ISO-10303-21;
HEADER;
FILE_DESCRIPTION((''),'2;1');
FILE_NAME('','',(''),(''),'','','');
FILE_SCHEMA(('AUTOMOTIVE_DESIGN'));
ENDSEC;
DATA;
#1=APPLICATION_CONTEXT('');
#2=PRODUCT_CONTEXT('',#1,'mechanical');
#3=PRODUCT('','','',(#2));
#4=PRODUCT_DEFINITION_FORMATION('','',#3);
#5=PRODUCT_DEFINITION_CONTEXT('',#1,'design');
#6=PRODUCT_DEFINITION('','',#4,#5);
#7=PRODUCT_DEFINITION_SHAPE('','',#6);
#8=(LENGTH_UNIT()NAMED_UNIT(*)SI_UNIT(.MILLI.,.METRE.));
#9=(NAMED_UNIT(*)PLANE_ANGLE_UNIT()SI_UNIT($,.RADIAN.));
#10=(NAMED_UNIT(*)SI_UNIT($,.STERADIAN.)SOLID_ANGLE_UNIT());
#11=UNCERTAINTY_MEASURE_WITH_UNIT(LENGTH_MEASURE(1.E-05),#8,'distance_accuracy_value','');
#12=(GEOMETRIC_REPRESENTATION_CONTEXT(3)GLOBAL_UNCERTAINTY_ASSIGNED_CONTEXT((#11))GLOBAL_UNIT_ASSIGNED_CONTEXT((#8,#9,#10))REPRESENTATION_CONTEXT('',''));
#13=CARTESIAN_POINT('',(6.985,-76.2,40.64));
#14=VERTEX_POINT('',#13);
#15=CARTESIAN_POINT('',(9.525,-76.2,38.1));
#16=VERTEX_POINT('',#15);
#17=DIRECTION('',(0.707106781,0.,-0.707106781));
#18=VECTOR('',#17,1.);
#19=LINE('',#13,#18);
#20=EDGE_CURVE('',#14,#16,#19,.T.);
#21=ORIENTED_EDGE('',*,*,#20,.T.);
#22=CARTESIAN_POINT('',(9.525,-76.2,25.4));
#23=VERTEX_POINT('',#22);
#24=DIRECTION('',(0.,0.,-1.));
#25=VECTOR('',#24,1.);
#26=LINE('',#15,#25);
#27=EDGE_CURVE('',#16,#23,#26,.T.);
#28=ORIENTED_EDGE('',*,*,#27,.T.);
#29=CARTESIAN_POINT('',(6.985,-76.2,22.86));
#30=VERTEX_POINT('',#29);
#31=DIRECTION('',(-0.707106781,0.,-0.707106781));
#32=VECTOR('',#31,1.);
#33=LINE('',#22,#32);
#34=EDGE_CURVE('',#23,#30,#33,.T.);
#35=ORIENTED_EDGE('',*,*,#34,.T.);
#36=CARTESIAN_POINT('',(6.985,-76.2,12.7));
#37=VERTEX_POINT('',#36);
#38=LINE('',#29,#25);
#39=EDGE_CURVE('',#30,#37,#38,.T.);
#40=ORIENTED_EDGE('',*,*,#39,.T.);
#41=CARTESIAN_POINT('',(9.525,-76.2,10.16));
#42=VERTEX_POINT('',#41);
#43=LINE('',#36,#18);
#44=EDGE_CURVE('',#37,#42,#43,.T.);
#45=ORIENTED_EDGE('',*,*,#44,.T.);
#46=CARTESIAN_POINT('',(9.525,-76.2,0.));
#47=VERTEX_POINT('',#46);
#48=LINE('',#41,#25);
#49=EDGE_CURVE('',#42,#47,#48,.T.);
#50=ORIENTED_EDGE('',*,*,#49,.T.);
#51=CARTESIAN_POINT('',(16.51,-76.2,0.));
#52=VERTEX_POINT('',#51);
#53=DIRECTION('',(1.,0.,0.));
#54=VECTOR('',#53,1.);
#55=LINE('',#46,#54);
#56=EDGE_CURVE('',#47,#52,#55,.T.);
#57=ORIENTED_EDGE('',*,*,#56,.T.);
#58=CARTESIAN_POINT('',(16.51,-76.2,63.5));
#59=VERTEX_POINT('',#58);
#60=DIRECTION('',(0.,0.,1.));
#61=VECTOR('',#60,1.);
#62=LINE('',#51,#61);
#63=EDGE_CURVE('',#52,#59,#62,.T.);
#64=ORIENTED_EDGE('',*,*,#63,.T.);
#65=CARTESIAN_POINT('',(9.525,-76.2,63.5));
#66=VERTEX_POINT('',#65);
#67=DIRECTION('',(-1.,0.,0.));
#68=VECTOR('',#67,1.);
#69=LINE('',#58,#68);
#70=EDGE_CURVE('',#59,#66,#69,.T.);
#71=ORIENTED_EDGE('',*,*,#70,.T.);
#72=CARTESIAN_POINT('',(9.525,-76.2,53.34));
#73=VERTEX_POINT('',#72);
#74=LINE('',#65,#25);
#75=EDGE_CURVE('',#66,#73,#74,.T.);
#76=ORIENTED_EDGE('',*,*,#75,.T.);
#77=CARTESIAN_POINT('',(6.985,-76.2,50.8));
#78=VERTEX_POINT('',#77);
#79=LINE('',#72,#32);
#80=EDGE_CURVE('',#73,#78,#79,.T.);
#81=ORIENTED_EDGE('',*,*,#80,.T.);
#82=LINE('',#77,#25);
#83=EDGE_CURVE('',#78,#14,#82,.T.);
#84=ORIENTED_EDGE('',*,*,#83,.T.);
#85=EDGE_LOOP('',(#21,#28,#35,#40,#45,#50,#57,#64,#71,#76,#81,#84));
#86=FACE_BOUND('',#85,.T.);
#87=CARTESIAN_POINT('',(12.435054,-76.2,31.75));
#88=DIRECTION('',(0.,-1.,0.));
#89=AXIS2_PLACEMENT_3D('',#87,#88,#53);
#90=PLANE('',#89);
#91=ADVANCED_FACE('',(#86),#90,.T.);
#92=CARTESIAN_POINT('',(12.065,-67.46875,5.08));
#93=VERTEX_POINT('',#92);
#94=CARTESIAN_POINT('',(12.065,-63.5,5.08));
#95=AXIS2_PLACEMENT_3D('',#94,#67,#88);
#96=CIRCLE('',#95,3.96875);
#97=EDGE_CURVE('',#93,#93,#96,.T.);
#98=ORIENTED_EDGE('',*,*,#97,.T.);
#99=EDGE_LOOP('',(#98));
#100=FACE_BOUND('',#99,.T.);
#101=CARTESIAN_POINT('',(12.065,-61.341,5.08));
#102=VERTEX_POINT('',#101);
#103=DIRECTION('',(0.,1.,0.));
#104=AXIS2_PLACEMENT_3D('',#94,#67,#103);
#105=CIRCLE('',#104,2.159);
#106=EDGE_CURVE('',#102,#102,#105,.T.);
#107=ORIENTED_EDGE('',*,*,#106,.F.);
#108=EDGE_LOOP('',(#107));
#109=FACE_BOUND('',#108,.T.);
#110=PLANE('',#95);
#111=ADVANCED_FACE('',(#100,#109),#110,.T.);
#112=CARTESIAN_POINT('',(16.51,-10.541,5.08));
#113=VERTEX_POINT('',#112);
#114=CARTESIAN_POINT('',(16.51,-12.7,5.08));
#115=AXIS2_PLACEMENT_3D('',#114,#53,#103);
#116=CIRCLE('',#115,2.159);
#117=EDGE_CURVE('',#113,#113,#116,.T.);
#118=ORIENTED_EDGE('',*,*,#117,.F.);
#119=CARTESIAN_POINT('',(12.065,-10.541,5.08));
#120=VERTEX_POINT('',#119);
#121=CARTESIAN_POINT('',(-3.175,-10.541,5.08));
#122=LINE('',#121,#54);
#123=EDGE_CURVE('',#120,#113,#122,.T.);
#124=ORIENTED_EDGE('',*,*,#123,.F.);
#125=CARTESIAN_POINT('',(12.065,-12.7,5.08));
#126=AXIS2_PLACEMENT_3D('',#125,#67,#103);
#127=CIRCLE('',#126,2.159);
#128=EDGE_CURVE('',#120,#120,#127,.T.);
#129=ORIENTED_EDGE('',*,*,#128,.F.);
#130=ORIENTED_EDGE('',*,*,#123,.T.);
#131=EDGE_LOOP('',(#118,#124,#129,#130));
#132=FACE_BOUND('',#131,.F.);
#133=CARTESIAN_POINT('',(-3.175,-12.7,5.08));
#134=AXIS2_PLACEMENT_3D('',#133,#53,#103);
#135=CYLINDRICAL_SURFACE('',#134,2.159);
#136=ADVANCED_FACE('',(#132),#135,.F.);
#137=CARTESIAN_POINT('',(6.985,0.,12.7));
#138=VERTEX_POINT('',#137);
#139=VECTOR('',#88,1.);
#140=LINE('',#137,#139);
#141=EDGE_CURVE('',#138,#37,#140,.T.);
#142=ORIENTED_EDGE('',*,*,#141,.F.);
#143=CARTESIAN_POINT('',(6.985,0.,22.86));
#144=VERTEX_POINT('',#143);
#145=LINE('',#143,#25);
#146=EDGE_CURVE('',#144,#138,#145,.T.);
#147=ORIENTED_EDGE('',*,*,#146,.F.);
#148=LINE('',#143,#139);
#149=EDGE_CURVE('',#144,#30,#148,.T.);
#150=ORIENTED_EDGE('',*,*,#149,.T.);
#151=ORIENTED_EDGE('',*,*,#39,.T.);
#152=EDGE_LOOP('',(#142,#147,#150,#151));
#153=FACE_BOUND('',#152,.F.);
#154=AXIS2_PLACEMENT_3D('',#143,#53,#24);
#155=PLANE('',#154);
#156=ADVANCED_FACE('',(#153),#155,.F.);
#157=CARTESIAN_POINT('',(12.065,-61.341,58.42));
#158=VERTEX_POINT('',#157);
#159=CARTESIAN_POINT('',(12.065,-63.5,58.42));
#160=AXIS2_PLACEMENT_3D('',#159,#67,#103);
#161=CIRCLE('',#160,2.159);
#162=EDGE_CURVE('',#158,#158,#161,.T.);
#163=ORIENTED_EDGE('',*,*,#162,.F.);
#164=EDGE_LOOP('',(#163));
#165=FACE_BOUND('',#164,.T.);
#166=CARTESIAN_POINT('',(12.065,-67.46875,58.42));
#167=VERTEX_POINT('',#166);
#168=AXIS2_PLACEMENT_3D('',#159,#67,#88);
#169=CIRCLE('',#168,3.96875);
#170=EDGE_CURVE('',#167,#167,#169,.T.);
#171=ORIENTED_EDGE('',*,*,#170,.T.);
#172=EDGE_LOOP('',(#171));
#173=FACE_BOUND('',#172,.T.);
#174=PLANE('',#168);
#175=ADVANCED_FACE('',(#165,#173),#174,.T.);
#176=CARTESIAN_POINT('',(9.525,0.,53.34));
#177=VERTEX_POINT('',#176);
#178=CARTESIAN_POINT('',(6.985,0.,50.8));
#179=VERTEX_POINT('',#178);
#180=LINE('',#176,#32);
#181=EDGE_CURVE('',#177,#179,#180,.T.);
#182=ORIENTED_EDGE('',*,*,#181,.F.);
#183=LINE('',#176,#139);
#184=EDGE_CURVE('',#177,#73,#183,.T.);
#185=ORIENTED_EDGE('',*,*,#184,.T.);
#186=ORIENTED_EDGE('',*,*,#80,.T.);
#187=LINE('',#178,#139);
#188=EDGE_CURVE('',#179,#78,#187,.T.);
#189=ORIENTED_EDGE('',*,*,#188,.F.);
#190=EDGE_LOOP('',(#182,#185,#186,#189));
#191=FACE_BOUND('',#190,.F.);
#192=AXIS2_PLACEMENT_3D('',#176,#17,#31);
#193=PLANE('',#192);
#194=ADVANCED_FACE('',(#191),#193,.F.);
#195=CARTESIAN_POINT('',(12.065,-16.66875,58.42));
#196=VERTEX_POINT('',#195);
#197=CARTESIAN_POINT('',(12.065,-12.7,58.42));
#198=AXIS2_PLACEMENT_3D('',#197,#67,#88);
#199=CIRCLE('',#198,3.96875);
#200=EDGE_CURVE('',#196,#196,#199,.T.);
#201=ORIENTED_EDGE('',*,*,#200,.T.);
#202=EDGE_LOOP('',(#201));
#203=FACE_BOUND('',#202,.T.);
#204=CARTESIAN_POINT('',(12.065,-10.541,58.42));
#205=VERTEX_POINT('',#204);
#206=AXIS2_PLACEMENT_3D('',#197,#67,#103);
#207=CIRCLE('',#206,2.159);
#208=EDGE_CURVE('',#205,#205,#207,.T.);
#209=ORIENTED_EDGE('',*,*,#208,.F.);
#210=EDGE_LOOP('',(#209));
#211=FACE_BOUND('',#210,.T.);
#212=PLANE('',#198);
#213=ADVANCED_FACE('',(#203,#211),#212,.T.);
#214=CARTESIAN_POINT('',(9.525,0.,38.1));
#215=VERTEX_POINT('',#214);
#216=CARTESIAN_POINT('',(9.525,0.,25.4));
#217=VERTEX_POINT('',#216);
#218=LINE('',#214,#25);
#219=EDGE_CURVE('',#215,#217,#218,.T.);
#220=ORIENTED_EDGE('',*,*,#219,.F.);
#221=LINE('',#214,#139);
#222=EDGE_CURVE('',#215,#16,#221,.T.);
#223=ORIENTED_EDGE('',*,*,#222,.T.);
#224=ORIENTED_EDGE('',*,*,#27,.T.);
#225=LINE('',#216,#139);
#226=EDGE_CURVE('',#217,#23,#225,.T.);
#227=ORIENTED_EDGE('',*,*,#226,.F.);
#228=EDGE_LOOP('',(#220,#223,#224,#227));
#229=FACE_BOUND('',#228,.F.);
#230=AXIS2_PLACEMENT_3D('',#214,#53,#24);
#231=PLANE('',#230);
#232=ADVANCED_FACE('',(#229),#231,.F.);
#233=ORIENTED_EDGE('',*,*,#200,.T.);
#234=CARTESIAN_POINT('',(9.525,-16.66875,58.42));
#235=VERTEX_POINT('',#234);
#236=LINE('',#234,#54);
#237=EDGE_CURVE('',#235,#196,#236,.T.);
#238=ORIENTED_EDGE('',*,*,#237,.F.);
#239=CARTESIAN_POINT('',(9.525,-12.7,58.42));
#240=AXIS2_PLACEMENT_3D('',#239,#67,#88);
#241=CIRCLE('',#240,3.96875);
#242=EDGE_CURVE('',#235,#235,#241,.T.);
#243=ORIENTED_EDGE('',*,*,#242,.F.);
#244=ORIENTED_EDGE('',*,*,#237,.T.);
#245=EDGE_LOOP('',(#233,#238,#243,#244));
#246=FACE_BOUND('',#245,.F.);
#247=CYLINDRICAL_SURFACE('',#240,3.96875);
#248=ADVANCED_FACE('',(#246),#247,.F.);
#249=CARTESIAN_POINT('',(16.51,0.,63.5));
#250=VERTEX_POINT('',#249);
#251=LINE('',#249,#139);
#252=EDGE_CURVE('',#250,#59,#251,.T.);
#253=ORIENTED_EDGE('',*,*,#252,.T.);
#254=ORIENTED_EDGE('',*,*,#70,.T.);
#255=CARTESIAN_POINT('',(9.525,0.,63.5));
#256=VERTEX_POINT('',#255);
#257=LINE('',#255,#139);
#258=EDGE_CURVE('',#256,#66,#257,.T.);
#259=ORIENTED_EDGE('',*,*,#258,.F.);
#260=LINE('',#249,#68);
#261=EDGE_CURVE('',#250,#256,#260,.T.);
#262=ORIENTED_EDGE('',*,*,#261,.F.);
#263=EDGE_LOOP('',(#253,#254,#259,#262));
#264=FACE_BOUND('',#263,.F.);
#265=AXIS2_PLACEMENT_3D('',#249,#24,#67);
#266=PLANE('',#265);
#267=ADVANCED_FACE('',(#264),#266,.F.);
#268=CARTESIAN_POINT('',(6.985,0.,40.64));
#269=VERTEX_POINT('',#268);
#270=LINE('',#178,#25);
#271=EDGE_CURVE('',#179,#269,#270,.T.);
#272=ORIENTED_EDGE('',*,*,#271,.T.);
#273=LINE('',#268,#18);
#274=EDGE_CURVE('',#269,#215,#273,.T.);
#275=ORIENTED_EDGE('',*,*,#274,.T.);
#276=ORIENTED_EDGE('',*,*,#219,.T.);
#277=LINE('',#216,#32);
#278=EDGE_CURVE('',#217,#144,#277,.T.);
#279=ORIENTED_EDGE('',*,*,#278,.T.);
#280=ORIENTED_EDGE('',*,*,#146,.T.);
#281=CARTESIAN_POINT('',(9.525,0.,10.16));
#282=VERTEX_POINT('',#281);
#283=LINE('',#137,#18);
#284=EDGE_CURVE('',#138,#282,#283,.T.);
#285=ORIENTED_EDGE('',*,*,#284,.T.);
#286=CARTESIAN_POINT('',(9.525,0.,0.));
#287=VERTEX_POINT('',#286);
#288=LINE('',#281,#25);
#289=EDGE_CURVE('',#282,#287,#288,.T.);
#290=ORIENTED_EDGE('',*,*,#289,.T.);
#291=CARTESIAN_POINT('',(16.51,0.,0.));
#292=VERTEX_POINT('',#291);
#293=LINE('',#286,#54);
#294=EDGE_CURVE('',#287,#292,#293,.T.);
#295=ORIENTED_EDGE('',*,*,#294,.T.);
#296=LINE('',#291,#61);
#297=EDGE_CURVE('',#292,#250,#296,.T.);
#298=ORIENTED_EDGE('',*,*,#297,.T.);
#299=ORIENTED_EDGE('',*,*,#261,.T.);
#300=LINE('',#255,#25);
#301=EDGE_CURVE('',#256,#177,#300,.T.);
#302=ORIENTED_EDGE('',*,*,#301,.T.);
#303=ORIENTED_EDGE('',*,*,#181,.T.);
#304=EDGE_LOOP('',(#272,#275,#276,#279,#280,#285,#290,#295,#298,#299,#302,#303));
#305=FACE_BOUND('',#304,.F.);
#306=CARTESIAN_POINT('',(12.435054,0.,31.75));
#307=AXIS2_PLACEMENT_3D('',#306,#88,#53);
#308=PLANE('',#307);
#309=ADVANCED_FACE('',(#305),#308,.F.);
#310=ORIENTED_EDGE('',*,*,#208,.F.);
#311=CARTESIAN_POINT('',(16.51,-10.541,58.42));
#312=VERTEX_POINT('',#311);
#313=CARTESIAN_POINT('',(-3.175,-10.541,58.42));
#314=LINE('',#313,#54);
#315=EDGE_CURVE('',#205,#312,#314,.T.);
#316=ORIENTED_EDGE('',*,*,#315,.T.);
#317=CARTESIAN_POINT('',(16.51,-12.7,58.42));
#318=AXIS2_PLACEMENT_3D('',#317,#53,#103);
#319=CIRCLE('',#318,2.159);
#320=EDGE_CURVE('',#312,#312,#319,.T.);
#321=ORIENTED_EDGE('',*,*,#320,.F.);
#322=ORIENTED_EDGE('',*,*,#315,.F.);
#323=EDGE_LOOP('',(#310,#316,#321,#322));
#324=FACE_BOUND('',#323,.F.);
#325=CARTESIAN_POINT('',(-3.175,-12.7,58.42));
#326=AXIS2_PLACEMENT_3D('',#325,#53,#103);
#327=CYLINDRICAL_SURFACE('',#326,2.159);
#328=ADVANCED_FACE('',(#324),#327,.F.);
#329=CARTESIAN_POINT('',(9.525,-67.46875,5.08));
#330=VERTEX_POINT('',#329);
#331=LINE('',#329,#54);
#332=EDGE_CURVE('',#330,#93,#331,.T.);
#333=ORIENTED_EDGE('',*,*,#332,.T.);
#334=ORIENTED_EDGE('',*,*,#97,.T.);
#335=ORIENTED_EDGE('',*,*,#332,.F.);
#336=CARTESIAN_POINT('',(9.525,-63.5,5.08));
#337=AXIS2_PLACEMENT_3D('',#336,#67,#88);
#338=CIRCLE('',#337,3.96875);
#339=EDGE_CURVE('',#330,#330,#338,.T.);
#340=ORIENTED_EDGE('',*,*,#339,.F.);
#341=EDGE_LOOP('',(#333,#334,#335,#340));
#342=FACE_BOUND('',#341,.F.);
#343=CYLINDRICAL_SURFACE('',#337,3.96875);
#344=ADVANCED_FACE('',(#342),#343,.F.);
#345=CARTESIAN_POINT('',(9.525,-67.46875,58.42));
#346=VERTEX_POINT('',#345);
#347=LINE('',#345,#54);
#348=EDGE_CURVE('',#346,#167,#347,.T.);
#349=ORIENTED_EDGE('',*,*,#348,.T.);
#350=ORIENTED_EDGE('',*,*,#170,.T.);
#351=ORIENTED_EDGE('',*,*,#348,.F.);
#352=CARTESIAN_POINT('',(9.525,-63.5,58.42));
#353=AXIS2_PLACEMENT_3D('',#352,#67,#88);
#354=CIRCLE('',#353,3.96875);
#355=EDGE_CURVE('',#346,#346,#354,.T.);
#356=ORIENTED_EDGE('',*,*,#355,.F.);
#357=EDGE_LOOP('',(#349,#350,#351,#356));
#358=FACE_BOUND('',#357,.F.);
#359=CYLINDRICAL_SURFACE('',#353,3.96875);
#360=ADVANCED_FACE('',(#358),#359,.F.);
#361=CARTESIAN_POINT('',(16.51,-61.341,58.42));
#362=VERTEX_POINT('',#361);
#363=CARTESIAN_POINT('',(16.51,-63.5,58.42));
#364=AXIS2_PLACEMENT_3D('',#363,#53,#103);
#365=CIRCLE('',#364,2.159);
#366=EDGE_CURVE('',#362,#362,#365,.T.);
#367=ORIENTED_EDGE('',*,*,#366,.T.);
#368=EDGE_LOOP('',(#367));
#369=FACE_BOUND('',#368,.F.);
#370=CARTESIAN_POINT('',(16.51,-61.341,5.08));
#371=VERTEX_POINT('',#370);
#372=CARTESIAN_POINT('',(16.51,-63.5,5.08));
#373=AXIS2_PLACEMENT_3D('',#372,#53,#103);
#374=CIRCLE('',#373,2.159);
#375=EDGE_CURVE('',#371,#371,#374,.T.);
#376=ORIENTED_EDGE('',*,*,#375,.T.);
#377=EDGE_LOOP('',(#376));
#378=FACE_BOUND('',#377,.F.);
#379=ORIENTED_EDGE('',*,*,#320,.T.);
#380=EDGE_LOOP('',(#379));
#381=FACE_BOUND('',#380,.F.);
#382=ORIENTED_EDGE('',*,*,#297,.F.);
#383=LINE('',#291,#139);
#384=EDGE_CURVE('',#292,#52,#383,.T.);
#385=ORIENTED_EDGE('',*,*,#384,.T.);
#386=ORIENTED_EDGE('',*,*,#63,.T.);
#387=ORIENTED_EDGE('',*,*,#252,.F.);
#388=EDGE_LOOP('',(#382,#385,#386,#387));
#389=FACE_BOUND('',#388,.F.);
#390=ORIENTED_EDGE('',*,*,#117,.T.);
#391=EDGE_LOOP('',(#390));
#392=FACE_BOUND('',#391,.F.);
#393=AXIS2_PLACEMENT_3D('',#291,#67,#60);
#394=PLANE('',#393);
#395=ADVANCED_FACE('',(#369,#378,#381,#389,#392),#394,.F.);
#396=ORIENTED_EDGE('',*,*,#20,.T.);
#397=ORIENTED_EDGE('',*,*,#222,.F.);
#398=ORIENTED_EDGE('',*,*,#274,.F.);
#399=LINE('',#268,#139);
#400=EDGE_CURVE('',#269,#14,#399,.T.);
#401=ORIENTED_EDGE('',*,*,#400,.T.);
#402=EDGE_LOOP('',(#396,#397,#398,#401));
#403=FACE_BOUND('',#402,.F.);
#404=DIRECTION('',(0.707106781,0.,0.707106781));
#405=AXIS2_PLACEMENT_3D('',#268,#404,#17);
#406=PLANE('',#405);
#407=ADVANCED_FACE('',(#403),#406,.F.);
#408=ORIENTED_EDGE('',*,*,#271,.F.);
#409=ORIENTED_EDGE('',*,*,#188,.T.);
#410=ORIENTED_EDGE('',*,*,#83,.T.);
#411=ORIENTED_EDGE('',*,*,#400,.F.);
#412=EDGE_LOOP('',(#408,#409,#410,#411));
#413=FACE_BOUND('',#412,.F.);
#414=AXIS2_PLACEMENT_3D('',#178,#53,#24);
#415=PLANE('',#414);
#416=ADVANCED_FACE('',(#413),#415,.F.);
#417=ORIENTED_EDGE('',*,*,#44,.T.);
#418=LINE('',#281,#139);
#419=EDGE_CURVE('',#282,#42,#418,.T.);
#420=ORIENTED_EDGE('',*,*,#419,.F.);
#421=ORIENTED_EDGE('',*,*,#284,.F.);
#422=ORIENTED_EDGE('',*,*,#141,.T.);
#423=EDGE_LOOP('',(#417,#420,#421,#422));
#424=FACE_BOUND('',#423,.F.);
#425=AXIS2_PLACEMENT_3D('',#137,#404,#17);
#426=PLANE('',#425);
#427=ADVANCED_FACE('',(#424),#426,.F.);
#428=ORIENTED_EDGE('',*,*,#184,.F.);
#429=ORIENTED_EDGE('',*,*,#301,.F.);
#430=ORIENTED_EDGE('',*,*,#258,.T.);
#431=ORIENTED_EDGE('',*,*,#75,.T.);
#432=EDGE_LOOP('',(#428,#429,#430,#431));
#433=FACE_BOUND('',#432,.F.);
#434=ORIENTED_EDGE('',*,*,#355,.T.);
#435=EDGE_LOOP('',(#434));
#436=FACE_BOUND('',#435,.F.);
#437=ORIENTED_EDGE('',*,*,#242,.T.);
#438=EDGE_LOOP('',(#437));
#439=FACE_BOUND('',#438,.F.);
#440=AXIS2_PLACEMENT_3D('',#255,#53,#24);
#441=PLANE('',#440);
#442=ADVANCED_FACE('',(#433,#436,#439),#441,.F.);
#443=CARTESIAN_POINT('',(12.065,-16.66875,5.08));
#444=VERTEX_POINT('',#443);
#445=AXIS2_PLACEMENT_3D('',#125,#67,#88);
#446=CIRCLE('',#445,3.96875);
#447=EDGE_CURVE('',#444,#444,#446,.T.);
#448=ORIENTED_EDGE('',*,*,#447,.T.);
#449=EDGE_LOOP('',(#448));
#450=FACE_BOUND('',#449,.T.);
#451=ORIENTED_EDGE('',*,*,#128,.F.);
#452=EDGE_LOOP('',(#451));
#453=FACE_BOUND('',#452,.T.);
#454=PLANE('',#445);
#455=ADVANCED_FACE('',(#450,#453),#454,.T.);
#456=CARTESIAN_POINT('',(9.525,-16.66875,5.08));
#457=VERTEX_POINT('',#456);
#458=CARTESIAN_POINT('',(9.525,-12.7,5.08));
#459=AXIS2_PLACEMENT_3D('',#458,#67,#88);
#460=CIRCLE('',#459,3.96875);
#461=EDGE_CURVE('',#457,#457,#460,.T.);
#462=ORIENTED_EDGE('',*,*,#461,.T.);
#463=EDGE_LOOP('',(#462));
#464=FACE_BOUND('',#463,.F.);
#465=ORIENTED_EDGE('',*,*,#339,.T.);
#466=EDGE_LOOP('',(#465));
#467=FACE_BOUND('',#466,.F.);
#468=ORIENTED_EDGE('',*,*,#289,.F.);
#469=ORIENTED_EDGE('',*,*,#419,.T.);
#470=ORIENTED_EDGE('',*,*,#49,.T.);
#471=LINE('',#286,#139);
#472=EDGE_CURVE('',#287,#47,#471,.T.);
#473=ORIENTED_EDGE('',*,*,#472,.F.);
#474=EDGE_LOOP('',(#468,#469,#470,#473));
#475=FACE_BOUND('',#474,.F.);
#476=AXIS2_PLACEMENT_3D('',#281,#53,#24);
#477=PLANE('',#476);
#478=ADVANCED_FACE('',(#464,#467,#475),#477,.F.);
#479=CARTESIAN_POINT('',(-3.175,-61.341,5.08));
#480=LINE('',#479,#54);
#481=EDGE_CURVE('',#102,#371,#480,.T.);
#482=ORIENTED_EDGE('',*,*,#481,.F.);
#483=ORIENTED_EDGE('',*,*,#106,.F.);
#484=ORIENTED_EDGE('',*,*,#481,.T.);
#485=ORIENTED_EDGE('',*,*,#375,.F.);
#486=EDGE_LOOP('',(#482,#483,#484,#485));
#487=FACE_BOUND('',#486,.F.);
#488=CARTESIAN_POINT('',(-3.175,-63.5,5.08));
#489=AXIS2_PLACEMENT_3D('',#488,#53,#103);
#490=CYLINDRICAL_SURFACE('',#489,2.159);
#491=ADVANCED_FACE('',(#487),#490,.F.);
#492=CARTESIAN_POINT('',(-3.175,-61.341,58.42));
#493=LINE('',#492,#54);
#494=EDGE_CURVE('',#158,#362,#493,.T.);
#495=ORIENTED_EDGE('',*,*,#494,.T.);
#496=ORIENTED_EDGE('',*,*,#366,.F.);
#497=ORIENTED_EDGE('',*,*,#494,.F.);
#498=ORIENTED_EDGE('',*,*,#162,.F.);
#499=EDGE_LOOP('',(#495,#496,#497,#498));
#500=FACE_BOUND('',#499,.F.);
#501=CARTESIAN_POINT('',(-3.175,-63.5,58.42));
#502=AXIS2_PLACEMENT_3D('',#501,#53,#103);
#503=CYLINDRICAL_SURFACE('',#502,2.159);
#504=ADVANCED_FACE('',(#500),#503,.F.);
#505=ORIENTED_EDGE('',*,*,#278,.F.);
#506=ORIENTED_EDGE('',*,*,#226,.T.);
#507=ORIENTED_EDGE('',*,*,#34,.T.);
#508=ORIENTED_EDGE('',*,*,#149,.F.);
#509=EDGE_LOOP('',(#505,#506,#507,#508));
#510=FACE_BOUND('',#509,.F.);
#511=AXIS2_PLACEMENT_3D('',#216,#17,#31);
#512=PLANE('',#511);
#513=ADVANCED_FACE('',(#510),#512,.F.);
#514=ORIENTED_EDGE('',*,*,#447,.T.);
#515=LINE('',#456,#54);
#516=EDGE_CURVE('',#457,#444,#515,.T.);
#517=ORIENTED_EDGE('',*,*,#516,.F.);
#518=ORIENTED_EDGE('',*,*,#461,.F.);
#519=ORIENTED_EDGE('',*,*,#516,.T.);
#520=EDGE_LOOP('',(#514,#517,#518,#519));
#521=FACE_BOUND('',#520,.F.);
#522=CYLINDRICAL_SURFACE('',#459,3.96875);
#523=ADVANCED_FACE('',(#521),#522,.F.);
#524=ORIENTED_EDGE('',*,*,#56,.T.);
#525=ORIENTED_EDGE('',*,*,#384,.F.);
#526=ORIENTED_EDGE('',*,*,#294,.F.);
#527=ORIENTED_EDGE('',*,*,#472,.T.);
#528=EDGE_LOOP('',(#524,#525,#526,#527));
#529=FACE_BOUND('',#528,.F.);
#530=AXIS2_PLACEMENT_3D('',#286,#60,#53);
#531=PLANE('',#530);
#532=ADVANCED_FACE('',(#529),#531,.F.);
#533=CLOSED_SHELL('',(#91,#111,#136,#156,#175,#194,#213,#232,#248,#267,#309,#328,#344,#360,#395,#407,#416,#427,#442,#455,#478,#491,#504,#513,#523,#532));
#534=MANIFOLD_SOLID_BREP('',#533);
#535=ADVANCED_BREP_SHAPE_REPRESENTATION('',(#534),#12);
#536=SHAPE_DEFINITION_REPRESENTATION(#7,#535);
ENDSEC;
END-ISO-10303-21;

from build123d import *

# Parameters (mm, degrees)
F1_DEPTH  = 76.2
F3_D      = 4.318
F3_DEPTH  = 12.7
F3_TIP    = 1.2972580765
F5_R      = 3.96875
F5_R_2    = 2.159
F6_DEPTH  = 2.54
F8_D      = 4.318
F8_DEPTH  = 12.7
F8_TIP    = 1.2972580765
F9_R      = 3.96875
F9_R_2    = 2.159
F10_DEPTH = 2.54


with BuildPart() as f1:
    # F0 (on Front) → F1 (new body)
    with BuildSketch(Plane.XZ):
        Polygon((6.985, 50.8), (6.985, 40.64), (9.525, 38.1), (9.525, 25.4), (6.985, 22.86), (6.985, 12.7), (9.525, 10.16), (9.525, 0), (16.51, 0), (16.51, 63.5), (9.525, 63.5), (9.525, 53.34), align=None)
    extrude(amount=F1_DEPTH)

    # F3
    with Locations(Plane(origin=(9.525, 0, 0), x_dir=(0, -1, 0), z_dir=(-1, 0, 0))):
        with Locations((12.7, 5.08), (63.5, 5.08)):
            Hole(F3_D / 2, depth=F3_DEPTH)
            with Locations((0, 0, -(F3_DEPTH + F3_TIP / 2))):  # 118° drill point
                Cone(0, F3_D / 2, F3_TIP, mode=Mode.SUBTRACT)

    # F5 (on face) → F6 (cut)
    with BuildSketch(Plane(origin=(9.525, 0, 0), x_dir=(0, -1, 0), z_dir=(-1, 0, 0))):
        with Locations((63.5, 5.08)):
            Circle(F5_R)
        with Locations((63.5, 5.08)):
            Circle(F5_R_2, mode=Mode.SUBTRACT)
        with Locations((12.7, 5.08)):
            Circle(F5_R)
        with Locations((12.7, 5.08)):
            Circle(F5_R_2, mode=Mode.SUBTRACT)
    extrude(amount=-F6_DEPTH, mode=Mode.SUBTRACT)

    # F8
    with Locations(Plane(origin=(9.525, 0, 0), x_dir=(0, -1, 0), z_dir=(-1, 0, 0))):
        with Locations((12.7, 58.42), (63.5, 58.42)):
            Hole(F8_D / 2, depth=F8_DEPTH)
            with Locations((0, 0, -(F8_DEPTH + F8_TIP / 2))):  # 118° drill point
                Cone(0, F8_D / 2, F8_TIP, mode=Mode.SUBTRACT)

    # F9 (on face) → F10 (cut)
    with BuildSketch(Plane(origin=(9.525, 0, 0), x_dir=(0, -1, 0), z_dir=(-1, 0, 0))):
        with Locations((12.7, 58.42)):
            Circle(F9_R)
        with Locations((12.7, 58.42)):
            Circle(F9_R_2, mode=Mode.SUBTRACT)
        with Locations((63.5, 58.42)):
            Circle(F9_R)
        with Locations((63.5, 58.42)):
            Circle(F9_R_2, mode=Mode.SUBTRACT)
    extrude(amount=-F10_DEPTH, mode=Mode.SUBTRACT)


solid = f1.part
